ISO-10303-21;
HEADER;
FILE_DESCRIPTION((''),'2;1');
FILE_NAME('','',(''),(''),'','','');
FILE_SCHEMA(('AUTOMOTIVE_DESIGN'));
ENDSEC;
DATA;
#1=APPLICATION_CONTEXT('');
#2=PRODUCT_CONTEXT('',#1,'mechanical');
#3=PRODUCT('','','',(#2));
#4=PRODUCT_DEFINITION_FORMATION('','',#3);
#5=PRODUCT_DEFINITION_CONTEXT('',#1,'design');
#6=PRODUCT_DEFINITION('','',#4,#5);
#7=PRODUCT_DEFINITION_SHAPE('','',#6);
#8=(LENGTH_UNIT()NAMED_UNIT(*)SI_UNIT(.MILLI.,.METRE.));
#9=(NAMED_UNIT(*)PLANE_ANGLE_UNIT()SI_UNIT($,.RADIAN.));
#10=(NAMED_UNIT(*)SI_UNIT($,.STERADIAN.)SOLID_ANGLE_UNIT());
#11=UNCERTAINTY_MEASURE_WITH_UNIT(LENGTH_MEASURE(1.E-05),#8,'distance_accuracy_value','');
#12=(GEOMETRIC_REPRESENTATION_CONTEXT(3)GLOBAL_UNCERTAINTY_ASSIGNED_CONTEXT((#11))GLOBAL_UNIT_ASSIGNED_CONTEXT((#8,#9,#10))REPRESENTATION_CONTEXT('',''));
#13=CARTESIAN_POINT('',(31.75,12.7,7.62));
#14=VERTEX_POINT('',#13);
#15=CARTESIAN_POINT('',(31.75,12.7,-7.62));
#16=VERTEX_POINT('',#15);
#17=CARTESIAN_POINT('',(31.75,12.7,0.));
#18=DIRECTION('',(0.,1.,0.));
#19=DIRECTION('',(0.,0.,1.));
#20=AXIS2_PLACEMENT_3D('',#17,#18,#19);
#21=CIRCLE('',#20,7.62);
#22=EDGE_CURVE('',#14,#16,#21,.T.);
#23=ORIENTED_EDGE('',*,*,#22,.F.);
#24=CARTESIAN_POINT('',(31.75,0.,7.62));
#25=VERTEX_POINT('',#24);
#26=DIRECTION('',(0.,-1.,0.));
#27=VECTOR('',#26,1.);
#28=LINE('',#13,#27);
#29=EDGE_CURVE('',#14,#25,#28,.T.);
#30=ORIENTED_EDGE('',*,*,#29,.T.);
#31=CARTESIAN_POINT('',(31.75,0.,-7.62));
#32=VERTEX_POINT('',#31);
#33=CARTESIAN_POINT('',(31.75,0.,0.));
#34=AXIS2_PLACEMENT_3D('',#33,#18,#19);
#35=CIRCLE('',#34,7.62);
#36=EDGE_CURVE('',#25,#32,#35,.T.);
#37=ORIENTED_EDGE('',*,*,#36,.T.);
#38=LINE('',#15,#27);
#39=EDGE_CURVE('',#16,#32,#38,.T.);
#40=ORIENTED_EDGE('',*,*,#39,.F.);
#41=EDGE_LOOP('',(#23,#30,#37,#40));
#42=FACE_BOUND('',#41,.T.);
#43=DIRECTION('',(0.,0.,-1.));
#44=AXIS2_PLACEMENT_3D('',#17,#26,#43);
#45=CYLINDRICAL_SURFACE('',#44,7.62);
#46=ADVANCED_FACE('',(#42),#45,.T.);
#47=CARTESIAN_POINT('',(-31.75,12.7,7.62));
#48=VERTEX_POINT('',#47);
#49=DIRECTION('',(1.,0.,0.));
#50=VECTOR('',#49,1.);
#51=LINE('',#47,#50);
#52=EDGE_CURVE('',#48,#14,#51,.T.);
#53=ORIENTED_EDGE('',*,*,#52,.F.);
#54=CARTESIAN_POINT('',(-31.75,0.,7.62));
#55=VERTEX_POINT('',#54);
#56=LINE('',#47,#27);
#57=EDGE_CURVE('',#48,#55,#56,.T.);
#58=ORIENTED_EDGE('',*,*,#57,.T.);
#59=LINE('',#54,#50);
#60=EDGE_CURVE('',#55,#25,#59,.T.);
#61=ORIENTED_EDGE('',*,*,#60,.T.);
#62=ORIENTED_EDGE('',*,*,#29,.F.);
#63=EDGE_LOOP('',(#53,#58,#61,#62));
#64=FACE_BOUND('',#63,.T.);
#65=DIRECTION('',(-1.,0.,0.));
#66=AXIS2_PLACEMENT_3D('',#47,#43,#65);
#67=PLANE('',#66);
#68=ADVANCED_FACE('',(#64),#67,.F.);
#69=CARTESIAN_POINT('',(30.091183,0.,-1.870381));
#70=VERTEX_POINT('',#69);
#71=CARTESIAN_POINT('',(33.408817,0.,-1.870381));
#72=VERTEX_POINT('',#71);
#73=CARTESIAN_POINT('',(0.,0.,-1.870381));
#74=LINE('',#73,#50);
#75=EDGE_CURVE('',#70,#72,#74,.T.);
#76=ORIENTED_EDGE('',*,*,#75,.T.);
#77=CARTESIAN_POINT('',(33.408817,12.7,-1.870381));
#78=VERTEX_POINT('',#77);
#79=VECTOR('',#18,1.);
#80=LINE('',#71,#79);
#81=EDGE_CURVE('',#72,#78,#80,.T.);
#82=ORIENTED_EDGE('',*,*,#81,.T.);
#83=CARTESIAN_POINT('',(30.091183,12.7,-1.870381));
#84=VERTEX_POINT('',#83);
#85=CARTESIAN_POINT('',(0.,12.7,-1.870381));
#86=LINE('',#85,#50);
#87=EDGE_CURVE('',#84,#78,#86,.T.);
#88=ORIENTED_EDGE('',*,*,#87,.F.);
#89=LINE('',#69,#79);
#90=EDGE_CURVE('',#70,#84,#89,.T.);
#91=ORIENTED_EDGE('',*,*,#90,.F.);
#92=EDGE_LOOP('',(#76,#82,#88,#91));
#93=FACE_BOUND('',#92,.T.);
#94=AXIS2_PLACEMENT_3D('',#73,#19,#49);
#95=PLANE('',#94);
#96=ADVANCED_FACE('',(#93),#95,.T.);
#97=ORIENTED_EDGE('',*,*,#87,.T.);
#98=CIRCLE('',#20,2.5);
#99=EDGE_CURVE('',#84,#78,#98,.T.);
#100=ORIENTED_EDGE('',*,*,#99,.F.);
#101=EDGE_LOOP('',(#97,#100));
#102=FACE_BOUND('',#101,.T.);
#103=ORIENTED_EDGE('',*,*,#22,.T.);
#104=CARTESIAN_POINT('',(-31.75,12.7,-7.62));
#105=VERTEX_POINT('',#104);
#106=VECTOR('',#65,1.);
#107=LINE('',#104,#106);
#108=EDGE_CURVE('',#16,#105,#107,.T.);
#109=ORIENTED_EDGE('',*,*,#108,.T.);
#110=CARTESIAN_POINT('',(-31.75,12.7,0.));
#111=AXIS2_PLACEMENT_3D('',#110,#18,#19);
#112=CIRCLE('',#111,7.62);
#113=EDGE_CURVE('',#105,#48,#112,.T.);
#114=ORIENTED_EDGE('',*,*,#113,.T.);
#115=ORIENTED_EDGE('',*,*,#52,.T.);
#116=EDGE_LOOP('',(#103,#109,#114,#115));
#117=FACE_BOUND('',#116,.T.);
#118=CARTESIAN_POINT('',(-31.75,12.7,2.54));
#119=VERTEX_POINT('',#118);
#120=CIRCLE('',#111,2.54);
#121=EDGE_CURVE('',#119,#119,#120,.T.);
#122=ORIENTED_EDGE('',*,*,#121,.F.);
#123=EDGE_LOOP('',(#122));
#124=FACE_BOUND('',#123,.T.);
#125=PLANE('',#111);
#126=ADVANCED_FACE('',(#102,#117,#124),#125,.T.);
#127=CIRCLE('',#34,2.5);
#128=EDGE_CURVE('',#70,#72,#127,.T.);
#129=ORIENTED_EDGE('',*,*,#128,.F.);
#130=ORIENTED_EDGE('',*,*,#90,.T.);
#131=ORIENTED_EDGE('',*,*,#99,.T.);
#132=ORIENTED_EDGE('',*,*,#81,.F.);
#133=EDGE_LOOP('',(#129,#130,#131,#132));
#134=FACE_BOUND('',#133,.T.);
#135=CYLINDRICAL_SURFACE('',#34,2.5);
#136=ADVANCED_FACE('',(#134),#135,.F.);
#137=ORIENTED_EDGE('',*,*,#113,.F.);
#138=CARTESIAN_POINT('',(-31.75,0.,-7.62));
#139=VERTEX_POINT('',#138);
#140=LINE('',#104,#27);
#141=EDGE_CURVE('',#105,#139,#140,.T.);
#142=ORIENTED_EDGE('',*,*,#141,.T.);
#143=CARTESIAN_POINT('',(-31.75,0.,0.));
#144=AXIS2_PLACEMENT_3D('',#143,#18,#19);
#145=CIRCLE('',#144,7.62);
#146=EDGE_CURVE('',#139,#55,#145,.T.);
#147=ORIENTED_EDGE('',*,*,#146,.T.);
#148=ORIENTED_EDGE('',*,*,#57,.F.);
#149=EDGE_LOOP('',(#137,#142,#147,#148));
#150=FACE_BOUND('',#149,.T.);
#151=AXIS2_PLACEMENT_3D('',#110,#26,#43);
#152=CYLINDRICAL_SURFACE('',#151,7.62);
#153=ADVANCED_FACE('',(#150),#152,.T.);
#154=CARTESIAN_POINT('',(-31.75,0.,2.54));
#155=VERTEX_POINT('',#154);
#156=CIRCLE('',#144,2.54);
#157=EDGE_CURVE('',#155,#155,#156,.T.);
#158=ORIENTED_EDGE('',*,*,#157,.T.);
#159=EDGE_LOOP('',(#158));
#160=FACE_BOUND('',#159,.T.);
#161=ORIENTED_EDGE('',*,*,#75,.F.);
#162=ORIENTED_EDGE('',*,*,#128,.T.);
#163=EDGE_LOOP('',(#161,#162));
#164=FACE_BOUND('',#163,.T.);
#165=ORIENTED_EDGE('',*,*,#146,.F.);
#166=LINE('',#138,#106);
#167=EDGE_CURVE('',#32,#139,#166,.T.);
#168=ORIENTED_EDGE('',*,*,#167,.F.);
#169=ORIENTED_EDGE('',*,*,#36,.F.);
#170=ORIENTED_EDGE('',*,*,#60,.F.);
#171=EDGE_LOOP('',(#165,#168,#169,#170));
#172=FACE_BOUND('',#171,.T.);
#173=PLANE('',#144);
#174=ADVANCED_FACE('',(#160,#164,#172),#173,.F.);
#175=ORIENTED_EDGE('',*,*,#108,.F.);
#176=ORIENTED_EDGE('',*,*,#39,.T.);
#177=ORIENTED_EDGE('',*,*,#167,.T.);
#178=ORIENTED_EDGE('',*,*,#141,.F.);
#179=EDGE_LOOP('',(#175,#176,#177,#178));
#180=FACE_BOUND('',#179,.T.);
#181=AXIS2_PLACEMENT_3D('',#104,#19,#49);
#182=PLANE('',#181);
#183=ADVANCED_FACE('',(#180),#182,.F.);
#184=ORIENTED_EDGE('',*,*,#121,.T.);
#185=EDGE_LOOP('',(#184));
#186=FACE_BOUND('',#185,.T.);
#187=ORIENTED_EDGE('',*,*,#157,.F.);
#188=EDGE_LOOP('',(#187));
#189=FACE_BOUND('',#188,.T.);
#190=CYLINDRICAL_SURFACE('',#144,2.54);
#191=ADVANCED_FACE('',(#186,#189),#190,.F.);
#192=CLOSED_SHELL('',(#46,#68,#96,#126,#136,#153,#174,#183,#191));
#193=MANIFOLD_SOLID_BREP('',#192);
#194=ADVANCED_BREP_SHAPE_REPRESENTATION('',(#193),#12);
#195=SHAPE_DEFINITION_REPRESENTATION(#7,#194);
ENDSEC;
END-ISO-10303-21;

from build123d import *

# Parameters (mm, degrees)
BOSS_EXTRUDE1_DEPTH = 12.7
SKETCH4_R           = 2.54
CUT_EXTRUDE3_DEPTH  = 43.063657711
CUT_EXTRUDE4_DEPTH  = 43.063657711


with BuildPart() as part:
    # Sketch3 → Boss-Extrude1 (new body)
    with BuildSketch(Plane(origin=(0, 0, 0), x_dir=(1, 0, 0), z_dir=(0, 1, 0))):
        with BuildLine():
            Line((-31.75, 7.62), (31.75, 7.62))
            ThreePointArc((31.75, 7.62), (39.37, 0), (31.75, -7.62))
            Line((31.75, -7.62), (-31.75, -7.62))
            ThreePointArc((-31.75, -7.62), (-39.37, 0), (-31.75, 7.62))
        make_face()
    extrude(amount=BOSS_EXTRUDE1_DEPTH)

    # Sketch4 → Cut-Extrude3 (cut, through all)
    with BuildSketch(Plane(origin=(0, 12.7, 0), x_dir=(1, 0, 0), z_dir=(0, 1, 0))):
        with Locations(Location((-31.75, 0, 0), (0, 0, 270))):
            Circle(SKETCH4_R)
    extrude(amount=-CUT_EXTRUDE3_DEPTH, mode=Mode.SUBTRACT)

    # Sketch6 → Cut-Extrude4 (cut, through all)
    with BuildSketch(Plane(origin=(0, 12.7, 0), x_dir=(1, 0, 0), z_dir=(0, 1, 0))):
        with BuildLine():
            Line((33.40881749, 1.870380853), (30.09118251, 1.870380853))
            ThreePointArc((30.09118251, 1.870380853), (30.72458392, -2.280026724), (34.25, 0))
            ThreePointArc((34.25, 0), (34.030026724, 1.02541608), (33.40881749, 1.870380853))
        make_face()
    extrude(amount=-CUT_EXTRUDE4_DEPTH, mode=Mode.SUBTRACT)


solid = part.part
